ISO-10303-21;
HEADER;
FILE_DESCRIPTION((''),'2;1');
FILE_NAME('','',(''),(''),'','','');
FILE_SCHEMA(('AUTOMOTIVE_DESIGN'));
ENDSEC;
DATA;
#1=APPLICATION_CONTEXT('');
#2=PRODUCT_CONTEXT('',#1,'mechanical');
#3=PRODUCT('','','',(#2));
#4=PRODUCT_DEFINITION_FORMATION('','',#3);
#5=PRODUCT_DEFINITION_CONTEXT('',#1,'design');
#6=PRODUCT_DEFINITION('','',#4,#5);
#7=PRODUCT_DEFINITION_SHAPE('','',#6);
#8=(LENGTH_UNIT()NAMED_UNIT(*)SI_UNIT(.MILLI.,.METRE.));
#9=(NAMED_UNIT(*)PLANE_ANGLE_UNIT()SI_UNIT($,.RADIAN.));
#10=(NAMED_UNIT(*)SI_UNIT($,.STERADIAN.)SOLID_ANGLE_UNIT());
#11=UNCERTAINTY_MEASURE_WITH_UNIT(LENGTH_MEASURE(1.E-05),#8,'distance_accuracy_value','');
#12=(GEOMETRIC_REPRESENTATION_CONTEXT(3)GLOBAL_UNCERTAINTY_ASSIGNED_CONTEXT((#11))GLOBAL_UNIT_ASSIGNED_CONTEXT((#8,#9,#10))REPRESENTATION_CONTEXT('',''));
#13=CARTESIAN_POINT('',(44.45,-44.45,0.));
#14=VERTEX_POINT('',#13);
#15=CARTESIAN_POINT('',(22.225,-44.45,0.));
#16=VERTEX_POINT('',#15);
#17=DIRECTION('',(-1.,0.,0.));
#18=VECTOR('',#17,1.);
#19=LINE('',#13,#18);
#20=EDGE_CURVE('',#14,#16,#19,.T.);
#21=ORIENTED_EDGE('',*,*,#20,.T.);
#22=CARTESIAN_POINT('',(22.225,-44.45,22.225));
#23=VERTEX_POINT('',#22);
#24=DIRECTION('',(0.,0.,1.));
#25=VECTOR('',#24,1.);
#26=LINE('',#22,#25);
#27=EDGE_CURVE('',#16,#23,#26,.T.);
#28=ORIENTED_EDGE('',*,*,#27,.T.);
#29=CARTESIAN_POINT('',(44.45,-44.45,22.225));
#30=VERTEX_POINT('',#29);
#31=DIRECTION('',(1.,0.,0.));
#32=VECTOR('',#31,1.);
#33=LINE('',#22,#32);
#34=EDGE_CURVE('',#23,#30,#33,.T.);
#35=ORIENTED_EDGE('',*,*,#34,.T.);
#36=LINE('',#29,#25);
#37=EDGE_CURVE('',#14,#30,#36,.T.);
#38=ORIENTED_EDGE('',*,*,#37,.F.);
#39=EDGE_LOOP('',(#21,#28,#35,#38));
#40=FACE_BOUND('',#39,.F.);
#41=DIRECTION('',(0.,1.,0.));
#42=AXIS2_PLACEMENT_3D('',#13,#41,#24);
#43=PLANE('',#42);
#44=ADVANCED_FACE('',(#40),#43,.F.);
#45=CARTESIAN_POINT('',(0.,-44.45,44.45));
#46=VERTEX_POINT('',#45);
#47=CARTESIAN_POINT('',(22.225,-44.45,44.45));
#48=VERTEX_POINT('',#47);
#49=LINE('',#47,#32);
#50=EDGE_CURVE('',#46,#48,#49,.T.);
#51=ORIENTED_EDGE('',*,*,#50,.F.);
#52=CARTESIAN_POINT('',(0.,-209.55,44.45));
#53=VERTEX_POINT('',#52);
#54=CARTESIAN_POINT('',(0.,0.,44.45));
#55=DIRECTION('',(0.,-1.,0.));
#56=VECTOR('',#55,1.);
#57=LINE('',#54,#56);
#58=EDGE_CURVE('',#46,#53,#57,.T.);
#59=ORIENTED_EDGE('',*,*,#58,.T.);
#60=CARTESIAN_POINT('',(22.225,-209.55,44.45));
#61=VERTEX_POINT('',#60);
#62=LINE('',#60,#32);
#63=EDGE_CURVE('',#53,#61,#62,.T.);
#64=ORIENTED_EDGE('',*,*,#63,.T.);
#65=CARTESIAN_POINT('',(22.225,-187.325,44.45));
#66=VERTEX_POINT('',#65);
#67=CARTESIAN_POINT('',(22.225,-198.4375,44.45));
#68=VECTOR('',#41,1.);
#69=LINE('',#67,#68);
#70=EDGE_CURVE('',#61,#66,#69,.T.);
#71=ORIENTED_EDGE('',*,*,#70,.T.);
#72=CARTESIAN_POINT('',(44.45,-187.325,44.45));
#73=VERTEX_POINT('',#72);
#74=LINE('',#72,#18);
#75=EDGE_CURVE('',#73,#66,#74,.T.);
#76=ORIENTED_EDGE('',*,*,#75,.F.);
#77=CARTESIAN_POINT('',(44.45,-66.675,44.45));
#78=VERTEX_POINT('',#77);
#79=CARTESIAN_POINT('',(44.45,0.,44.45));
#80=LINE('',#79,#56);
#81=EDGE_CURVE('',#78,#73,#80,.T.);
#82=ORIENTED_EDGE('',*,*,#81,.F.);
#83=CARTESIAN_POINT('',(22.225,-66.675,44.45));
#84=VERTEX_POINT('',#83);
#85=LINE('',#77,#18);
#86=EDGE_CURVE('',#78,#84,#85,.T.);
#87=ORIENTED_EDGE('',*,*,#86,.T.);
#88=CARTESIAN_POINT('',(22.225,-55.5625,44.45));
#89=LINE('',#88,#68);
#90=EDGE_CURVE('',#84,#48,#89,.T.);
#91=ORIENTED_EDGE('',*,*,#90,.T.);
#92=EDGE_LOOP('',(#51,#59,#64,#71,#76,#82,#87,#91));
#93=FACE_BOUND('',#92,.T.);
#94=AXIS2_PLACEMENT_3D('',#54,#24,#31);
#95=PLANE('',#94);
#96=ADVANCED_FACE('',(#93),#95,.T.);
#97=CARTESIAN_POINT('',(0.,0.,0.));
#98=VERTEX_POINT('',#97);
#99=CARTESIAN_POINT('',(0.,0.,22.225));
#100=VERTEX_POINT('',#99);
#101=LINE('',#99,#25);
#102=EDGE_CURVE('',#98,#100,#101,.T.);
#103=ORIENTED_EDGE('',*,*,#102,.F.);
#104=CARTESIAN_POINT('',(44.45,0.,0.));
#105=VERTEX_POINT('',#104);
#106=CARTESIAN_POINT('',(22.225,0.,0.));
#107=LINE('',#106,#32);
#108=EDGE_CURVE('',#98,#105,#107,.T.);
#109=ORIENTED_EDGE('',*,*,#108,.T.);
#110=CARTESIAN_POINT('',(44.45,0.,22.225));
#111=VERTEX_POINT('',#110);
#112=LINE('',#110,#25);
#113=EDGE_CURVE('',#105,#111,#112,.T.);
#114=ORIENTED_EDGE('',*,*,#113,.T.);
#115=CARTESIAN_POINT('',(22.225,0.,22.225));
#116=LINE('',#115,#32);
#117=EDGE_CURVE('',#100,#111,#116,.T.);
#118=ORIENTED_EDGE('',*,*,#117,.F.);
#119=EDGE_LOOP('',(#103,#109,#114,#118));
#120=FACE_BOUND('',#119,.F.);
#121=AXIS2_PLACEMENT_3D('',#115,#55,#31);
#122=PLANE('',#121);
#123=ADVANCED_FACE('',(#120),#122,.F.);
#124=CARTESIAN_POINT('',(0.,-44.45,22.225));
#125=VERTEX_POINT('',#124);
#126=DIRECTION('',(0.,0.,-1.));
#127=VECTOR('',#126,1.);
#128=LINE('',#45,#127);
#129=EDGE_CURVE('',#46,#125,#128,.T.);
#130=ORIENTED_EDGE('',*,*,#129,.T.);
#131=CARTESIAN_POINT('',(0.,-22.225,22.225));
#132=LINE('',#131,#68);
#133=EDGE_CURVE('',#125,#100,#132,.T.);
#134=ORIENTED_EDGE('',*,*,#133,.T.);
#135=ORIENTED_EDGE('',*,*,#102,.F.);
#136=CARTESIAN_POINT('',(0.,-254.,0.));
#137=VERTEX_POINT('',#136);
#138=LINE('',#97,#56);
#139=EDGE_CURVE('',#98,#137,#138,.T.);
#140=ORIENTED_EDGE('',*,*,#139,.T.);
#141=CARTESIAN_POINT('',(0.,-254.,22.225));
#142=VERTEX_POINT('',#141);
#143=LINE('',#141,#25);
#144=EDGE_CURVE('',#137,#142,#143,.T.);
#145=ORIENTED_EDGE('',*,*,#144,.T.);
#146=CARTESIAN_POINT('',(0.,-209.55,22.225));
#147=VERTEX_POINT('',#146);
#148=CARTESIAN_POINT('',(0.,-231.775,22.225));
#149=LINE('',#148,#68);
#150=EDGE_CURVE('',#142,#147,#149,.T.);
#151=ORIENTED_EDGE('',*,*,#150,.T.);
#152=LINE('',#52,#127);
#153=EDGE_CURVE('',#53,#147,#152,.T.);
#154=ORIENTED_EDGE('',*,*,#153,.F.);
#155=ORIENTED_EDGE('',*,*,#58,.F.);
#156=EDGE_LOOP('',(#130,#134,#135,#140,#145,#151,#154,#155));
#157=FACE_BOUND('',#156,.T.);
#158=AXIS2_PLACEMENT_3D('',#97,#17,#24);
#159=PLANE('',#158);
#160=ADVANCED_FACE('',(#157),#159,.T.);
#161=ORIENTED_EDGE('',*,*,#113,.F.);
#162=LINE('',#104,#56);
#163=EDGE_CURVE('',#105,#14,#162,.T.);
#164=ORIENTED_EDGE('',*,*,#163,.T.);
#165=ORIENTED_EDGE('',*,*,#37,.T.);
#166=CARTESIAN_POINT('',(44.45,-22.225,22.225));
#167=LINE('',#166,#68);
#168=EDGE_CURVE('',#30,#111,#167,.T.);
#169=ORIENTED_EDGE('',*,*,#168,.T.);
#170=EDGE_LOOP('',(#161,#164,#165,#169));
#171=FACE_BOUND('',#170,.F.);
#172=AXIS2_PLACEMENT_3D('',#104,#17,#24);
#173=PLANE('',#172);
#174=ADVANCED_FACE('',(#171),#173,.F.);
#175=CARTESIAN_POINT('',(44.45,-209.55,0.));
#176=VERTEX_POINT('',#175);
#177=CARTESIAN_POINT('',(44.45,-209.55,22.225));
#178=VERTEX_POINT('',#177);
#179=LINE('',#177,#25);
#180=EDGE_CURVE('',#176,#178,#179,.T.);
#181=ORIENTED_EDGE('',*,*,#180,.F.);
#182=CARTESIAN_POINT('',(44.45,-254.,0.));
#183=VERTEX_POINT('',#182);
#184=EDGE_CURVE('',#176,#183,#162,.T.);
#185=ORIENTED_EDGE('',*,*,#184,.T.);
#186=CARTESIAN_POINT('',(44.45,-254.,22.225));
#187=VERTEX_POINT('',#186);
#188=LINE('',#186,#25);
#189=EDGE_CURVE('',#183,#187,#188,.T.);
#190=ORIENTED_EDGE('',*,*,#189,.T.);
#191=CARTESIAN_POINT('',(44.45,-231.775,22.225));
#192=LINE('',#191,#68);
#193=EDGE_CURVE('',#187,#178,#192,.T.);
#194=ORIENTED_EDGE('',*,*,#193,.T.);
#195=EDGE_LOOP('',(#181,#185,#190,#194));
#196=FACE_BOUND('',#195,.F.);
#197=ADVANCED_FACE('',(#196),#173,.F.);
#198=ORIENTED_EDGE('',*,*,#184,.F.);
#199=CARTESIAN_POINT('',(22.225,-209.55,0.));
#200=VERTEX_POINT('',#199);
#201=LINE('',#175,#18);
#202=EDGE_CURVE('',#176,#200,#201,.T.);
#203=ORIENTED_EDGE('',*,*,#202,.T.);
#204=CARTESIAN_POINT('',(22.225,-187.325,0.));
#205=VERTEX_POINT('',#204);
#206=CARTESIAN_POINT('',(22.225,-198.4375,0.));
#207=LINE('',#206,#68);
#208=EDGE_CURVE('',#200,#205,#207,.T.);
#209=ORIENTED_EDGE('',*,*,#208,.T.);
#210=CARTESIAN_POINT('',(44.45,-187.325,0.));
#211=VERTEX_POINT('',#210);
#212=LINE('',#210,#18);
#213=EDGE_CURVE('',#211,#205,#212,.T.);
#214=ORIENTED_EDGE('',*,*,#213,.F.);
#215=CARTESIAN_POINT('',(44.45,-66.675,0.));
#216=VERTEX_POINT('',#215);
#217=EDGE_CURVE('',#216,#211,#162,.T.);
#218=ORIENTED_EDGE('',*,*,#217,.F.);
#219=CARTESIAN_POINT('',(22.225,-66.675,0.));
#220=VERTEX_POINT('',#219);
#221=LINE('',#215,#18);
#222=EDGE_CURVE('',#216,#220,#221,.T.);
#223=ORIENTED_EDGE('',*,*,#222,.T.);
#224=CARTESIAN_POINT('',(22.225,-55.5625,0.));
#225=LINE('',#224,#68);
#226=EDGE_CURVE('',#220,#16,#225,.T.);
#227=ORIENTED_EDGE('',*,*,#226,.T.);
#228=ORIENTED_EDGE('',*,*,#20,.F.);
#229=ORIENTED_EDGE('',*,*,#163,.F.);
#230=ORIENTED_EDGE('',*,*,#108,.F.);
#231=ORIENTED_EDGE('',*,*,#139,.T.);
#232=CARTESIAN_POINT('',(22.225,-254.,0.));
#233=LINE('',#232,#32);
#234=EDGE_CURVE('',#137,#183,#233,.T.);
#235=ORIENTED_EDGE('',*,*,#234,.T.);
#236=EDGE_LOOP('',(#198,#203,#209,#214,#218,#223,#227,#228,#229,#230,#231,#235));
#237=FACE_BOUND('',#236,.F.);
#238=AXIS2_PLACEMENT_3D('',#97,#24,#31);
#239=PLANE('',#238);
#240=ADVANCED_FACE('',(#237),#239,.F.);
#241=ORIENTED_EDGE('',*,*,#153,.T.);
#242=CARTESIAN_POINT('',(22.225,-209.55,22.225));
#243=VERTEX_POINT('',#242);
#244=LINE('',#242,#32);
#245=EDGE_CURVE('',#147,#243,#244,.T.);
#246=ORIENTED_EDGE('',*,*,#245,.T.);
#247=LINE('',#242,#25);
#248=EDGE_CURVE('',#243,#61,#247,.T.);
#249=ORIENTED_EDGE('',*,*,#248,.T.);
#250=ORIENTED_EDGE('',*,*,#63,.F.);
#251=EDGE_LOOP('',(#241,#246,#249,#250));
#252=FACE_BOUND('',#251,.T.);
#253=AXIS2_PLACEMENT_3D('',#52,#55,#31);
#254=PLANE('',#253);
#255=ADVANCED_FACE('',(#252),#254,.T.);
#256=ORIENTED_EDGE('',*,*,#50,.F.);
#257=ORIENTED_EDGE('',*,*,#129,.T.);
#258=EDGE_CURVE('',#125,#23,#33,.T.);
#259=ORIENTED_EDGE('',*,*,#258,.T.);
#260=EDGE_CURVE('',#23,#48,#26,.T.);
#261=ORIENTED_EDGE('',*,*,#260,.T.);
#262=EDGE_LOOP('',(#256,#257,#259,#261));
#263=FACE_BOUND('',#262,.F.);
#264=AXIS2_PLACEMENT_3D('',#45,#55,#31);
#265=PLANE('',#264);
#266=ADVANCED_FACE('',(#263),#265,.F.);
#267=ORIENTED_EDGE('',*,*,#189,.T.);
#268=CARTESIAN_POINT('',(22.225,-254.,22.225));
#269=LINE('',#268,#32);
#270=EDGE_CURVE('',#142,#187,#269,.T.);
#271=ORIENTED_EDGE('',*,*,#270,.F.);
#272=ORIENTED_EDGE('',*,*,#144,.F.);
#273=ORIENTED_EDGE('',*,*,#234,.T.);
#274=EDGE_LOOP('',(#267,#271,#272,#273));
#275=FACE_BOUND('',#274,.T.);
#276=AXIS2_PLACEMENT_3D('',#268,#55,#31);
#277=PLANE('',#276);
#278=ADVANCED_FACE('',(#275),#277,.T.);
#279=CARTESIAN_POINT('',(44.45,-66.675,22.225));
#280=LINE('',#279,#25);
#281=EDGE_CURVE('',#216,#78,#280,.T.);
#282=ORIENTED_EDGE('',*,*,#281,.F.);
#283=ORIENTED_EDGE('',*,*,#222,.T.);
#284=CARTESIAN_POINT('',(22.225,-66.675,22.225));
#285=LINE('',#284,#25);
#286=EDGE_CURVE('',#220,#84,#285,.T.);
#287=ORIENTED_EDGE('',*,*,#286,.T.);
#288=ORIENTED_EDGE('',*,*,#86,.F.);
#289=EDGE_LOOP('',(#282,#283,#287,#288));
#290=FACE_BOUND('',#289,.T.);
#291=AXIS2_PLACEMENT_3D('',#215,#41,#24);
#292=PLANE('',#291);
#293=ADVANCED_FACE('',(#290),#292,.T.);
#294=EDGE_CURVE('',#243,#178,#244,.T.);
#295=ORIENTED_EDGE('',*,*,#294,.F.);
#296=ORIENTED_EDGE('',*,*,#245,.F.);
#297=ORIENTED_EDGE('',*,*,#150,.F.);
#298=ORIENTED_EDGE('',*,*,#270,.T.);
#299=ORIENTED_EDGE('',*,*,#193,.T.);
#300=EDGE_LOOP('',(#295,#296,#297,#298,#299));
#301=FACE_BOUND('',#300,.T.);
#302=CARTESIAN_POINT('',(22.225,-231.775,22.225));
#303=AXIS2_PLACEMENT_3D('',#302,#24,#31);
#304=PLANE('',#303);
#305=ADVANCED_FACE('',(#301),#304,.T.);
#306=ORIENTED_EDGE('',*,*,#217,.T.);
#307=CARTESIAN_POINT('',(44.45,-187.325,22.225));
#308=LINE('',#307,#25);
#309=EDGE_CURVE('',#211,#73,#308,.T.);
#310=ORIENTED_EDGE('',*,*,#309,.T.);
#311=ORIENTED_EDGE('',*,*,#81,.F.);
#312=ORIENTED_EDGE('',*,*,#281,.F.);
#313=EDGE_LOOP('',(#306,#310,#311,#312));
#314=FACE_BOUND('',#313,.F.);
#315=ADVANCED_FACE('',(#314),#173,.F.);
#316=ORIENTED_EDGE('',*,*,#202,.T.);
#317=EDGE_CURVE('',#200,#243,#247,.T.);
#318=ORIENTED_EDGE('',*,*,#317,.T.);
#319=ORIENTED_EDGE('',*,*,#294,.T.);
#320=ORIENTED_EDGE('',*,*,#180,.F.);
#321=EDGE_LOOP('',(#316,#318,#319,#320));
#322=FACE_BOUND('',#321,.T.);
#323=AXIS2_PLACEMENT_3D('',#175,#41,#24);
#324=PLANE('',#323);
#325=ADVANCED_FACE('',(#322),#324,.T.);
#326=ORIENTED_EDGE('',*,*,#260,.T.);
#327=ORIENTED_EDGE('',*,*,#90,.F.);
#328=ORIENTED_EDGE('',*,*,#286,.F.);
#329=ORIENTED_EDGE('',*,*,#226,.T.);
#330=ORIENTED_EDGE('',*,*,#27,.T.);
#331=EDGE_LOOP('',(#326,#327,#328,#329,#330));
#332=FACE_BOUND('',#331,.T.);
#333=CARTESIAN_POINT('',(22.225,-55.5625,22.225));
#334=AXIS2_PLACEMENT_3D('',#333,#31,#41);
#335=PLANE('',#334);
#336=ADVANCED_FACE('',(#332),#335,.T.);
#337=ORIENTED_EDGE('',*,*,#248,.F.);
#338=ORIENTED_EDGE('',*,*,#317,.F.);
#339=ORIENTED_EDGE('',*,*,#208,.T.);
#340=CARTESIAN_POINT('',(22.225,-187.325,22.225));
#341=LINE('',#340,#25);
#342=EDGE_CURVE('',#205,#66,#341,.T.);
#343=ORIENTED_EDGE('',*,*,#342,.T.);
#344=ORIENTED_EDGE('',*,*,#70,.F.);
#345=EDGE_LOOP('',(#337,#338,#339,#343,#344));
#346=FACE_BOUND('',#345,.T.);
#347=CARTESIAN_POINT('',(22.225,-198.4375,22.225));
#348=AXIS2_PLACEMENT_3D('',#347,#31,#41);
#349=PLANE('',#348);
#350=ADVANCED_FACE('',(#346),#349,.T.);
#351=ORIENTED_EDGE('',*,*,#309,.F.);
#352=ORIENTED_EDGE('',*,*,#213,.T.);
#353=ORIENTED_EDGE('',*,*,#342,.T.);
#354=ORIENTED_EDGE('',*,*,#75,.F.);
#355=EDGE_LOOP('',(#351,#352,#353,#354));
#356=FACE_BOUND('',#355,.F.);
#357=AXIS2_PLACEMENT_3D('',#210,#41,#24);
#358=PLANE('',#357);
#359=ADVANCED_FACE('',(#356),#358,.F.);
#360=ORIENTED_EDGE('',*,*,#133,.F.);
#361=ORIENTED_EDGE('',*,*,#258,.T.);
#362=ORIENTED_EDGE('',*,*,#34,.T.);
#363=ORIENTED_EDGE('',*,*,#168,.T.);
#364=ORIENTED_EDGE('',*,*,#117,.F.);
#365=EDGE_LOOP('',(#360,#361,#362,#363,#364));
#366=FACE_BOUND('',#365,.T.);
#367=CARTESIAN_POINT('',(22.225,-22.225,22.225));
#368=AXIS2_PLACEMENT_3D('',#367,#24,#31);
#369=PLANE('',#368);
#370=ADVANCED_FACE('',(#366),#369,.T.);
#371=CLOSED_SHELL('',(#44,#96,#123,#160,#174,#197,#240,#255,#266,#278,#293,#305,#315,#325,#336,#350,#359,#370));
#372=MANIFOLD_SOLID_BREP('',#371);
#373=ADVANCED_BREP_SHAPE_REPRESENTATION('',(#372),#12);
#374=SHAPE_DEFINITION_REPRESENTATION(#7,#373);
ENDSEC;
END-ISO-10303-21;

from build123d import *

# Parameters (mm, degrees)
F0_W     = 44.45
F0_H     = 44.45
F1_DEPTH = 254
F2_W     = 44.45
F2_H     = 44.45
F3_DEPTH = 22.225
F4_W     = 22.225
F4_H     = 44.45
F5_DEPTH = 22.225


with BuildPart() as f1:
    # F0 (on Front) → F1 (new body)
    with BuildSketch(Plane.XZ):
        with Locations((22.225, 22.225)):
            Rectangle(F0_W, F0_H)
    extrude(amount=F1_DEPTH)

    # F2 (on face) → F3 (cut)
    with BuildSketch(Plane.XY.offset(44.45)):
        with Locations((22.225, -231.775)):
            Rectangle(F2_W, F2_H)
        with Locations((22.225, -22.225)):
            Rectangle(F2_W, F2_H)
    extrude(amount=-F3_DEPTH, mode=Mode.SUBTRACT)

    # F4 (on face) → F5 (cut)
    with BuildSketch(Plane.YZ.offset(44.45)):
        with Locations((-198.4375, 22.225)):
            Rectangle(F4_W, F4_H)
        with Locations((-55.5625, 22.225)):
            Rectangle(F4_W, F4_H)
    extrude(amount=-F5_DEPTH, mode=Mode.SUBTRACT)


solid = f1.part
